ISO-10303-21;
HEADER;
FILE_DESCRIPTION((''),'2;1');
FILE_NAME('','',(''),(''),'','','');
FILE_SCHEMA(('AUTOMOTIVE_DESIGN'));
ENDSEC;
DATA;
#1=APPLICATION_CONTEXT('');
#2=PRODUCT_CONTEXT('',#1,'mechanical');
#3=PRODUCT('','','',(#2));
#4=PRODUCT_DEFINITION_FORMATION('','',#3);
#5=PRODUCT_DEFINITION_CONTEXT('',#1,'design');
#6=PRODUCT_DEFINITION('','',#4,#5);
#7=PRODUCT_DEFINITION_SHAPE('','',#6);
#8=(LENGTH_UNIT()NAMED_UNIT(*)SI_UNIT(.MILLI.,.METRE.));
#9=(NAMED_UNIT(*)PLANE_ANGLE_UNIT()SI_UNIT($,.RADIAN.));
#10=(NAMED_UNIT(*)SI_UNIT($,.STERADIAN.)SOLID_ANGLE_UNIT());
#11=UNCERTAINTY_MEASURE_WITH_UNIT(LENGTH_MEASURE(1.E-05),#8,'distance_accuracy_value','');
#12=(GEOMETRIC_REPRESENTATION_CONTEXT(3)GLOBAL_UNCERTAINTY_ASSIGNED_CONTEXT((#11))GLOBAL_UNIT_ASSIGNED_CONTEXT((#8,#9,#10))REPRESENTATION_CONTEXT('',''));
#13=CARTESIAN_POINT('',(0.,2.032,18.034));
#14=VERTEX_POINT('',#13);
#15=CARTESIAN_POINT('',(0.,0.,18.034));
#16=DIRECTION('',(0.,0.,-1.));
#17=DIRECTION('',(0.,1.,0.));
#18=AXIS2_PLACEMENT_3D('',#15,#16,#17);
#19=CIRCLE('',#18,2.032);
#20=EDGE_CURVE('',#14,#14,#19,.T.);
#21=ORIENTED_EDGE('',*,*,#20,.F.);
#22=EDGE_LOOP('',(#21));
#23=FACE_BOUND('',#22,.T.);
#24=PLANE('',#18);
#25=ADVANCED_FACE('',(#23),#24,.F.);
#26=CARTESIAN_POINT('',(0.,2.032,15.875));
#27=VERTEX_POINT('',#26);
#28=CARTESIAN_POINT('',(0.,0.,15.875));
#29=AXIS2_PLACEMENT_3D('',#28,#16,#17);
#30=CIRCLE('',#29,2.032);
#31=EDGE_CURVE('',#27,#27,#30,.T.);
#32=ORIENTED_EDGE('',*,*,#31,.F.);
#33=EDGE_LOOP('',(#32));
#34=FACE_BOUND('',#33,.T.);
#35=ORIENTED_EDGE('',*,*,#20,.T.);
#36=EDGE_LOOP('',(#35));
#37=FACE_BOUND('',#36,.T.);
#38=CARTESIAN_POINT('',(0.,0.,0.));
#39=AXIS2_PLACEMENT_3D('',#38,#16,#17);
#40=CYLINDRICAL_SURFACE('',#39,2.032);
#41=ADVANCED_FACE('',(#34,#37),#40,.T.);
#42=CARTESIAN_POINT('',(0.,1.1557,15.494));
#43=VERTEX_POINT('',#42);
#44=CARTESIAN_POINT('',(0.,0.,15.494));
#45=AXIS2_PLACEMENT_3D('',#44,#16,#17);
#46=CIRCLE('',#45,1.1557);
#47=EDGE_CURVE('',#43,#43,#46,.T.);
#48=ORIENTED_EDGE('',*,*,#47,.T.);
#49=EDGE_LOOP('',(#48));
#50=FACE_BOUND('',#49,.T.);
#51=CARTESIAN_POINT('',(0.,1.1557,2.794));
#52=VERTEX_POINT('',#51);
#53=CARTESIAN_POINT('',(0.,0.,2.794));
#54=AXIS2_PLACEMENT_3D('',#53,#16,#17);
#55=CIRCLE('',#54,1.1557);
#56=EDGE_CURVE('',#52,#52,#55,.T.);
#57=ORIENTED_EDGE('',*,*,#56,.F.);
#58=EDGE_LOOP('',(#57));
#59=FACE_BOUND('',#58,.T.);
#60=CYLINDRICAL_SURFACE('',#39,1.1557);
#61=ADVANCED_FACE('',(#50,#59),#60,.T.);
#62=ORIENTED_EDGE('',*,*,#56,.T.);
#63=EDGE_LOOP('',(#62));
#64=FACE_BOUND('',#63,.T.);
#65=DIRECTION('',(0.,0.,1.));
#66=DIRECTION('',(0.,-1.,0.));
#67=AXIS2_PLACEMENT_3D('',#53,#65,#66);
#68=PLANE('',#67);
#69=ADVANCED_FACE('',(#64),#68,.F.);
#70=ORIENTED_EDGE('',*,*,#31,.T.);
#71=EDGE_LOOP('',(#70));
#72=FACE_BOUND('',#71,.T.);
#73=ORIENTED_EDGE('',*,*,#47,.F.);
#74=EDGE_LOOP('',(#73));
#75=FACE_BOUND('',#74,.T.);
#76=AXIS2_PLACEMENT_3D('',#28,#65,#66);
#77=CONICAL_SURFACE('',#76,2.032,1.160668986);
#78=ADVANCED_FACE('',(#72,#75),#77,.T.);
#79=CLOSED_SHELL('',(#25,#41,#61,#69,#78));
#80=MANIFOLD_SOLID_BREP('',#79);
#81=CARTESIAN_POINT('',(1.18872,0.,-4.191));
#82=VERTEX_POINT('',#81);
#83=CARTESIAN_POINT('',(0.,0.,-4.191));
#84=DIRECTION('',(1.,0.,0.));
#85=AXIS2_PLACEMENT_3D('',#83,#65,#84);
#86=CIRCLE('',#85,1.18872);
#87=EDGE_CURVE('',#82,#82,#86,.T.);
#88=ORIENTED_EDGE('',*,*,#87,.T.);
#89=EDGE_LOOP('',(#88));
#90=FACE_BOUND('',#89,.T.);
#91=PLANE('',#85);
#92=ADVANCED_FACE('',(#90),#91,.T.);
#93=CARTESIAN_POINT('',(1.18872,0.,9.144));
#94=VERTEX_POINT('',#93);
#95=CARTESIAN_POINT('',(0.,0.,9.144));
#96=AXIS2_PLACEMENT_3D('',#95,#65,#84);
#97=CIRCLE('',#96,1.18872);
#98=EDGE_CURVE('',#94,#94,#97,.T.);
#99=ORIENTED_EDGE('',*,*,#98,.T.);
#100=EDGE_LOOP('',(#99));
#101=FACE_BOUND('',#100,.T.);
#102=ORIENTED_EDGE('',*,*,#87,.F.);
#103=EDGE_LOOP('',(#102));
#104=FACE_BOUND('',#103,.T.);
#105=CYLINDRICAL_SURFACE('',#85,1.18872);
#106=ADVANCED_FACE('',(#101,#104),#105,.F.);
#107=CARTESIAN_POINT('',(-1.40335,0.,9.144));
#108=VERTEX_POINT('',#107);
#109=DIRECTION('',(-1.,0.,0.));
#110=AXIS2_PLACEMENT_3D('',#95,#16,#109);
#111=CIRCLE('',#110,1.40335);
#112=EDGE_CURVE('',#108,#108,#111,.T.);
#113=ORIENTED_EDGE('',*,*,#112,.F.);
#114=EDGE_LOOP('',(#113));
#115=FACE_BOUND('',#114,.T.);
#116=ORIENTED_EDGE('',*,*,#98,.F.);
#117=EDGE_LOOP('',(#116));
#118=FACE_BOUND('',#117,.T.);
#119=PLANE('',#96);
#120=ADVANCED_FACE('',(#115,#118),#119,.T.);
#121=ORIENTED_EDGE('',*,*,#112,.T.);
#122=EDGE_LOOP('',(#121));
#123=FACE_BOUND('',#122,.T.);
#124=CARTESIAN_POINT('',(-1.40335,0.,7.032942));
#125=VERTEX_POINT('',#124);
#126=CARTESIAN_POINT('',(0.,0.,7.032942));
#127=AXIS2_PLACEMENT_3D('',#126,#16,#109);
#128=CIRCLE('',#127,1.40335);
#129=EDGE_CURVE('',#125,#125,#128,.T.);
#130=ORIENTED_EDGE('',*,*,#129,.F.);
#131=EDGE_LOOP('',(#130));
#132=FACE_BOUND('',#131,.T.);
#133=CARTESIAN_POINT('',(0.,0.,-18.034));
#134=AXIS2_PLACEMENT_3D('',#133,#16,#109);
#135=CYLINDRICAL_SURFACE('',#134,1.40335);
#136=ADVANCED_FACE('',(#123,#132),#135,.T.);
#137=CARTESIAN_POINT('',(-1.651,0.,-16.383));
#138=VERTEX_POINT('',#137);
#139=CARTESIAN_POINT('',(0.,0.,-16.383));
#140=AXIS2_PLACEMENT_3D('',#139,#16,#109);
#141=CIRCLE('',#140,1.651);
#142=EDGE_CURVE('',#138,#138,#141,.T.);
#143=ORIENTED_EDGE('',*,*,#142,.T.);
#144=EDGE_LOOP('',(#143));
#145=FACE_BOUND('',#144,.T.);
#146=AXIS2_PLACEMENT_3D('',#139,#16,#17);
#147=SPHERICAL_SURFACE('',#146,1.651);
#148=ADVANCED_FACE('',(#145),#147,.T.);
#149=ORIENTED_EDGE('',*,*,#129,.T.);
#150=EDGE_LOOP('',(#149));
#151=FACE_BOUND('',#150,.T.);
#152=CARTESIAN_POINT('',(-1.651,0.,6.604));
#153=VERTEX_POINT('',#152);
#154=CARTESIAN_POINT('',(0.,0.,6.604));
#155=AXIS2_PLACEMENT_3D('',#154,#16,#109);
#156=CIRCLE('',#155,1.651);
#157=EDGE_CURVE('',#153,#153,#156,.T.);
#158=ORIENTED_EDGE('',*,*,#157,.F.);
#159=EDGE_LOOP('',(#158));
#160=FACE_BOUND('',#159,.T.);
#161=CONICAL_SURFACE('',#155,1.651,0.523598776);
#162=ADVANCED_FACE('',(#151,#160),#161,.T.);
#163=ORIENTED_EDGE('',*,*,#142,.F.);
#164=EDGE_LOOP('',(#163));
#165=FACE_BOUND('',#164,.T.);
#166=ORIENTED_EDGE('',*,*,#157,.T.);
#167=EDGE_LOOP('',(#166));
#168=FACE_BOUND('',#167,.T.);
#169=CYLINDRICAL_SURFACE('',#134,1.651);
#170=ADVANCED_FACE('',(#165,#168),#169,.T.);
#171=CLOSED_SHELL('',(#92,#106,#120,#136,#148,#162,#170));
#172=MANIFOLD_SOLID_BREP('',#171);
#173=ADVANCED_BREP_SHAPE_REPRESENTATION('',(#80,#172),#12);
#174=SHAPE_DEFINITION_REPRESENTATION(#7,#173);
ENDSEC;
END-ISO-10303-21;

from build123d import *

# Parameters (mm, degrees)
SKETCH4_R          = 1.18872
CUT_EXTRUDE1_DEPTH = 13.335


with BuildPart() as part:
    # Sketch2 → Revolve1 (revolve)
    with BuildSketch(Plane(origin=(0, 0, 0), x_dir=(0, 0, -1), z_dir=(1, 0, 0))):
        with BuildLine():
            Line((-6.604, 1.651), (16.383, 1.651))
            ThreePointArc((16.383, 1.651), (17.550433296, 1.167433296), (18.034, 0))
            Line((18.034, 0), (-9.144, 0))
            Line((-9.144, 0), (-9.144, 1.40335))
            Line((-9.144, 1.40335), (-7.032942382, 1.40335))
            Line((-7.032942382, 1.40335), (-6.604, 1.651))
        make_face()
    revolve(axis=Axis((0, 0, -18.034), (0, 0, 1)))

    # Sketch4 → Cut-Extrude1 (cut)
    with BuildSketch(Plane.XY.offset(9.144)):
        Circle(SKETCH4_R)
    extrude(amount=-CUT_EXTRUDE1_DEPTH, mode=Mode.SUBTRACT)


with BuildPart() as body_2:
    # Sketch3 → Revolve2 (revolve)
    with BuildSketch(Plane(origin=(0, 0, 0), x_dir=(0, 0, -1), z_dir=(1, 0, 0))):
        Polygon((-18.034, 2.032), (-18.034, 0), (-2.794, 0), (-2.794, 1.1557), (-15.494, 1.1557), (-15.875, 2.032), align=None)
    revolve(axis=Axis((0, 0, 0), (0, 0, 1)))


solid = Compound([part.part, body_2.part])
